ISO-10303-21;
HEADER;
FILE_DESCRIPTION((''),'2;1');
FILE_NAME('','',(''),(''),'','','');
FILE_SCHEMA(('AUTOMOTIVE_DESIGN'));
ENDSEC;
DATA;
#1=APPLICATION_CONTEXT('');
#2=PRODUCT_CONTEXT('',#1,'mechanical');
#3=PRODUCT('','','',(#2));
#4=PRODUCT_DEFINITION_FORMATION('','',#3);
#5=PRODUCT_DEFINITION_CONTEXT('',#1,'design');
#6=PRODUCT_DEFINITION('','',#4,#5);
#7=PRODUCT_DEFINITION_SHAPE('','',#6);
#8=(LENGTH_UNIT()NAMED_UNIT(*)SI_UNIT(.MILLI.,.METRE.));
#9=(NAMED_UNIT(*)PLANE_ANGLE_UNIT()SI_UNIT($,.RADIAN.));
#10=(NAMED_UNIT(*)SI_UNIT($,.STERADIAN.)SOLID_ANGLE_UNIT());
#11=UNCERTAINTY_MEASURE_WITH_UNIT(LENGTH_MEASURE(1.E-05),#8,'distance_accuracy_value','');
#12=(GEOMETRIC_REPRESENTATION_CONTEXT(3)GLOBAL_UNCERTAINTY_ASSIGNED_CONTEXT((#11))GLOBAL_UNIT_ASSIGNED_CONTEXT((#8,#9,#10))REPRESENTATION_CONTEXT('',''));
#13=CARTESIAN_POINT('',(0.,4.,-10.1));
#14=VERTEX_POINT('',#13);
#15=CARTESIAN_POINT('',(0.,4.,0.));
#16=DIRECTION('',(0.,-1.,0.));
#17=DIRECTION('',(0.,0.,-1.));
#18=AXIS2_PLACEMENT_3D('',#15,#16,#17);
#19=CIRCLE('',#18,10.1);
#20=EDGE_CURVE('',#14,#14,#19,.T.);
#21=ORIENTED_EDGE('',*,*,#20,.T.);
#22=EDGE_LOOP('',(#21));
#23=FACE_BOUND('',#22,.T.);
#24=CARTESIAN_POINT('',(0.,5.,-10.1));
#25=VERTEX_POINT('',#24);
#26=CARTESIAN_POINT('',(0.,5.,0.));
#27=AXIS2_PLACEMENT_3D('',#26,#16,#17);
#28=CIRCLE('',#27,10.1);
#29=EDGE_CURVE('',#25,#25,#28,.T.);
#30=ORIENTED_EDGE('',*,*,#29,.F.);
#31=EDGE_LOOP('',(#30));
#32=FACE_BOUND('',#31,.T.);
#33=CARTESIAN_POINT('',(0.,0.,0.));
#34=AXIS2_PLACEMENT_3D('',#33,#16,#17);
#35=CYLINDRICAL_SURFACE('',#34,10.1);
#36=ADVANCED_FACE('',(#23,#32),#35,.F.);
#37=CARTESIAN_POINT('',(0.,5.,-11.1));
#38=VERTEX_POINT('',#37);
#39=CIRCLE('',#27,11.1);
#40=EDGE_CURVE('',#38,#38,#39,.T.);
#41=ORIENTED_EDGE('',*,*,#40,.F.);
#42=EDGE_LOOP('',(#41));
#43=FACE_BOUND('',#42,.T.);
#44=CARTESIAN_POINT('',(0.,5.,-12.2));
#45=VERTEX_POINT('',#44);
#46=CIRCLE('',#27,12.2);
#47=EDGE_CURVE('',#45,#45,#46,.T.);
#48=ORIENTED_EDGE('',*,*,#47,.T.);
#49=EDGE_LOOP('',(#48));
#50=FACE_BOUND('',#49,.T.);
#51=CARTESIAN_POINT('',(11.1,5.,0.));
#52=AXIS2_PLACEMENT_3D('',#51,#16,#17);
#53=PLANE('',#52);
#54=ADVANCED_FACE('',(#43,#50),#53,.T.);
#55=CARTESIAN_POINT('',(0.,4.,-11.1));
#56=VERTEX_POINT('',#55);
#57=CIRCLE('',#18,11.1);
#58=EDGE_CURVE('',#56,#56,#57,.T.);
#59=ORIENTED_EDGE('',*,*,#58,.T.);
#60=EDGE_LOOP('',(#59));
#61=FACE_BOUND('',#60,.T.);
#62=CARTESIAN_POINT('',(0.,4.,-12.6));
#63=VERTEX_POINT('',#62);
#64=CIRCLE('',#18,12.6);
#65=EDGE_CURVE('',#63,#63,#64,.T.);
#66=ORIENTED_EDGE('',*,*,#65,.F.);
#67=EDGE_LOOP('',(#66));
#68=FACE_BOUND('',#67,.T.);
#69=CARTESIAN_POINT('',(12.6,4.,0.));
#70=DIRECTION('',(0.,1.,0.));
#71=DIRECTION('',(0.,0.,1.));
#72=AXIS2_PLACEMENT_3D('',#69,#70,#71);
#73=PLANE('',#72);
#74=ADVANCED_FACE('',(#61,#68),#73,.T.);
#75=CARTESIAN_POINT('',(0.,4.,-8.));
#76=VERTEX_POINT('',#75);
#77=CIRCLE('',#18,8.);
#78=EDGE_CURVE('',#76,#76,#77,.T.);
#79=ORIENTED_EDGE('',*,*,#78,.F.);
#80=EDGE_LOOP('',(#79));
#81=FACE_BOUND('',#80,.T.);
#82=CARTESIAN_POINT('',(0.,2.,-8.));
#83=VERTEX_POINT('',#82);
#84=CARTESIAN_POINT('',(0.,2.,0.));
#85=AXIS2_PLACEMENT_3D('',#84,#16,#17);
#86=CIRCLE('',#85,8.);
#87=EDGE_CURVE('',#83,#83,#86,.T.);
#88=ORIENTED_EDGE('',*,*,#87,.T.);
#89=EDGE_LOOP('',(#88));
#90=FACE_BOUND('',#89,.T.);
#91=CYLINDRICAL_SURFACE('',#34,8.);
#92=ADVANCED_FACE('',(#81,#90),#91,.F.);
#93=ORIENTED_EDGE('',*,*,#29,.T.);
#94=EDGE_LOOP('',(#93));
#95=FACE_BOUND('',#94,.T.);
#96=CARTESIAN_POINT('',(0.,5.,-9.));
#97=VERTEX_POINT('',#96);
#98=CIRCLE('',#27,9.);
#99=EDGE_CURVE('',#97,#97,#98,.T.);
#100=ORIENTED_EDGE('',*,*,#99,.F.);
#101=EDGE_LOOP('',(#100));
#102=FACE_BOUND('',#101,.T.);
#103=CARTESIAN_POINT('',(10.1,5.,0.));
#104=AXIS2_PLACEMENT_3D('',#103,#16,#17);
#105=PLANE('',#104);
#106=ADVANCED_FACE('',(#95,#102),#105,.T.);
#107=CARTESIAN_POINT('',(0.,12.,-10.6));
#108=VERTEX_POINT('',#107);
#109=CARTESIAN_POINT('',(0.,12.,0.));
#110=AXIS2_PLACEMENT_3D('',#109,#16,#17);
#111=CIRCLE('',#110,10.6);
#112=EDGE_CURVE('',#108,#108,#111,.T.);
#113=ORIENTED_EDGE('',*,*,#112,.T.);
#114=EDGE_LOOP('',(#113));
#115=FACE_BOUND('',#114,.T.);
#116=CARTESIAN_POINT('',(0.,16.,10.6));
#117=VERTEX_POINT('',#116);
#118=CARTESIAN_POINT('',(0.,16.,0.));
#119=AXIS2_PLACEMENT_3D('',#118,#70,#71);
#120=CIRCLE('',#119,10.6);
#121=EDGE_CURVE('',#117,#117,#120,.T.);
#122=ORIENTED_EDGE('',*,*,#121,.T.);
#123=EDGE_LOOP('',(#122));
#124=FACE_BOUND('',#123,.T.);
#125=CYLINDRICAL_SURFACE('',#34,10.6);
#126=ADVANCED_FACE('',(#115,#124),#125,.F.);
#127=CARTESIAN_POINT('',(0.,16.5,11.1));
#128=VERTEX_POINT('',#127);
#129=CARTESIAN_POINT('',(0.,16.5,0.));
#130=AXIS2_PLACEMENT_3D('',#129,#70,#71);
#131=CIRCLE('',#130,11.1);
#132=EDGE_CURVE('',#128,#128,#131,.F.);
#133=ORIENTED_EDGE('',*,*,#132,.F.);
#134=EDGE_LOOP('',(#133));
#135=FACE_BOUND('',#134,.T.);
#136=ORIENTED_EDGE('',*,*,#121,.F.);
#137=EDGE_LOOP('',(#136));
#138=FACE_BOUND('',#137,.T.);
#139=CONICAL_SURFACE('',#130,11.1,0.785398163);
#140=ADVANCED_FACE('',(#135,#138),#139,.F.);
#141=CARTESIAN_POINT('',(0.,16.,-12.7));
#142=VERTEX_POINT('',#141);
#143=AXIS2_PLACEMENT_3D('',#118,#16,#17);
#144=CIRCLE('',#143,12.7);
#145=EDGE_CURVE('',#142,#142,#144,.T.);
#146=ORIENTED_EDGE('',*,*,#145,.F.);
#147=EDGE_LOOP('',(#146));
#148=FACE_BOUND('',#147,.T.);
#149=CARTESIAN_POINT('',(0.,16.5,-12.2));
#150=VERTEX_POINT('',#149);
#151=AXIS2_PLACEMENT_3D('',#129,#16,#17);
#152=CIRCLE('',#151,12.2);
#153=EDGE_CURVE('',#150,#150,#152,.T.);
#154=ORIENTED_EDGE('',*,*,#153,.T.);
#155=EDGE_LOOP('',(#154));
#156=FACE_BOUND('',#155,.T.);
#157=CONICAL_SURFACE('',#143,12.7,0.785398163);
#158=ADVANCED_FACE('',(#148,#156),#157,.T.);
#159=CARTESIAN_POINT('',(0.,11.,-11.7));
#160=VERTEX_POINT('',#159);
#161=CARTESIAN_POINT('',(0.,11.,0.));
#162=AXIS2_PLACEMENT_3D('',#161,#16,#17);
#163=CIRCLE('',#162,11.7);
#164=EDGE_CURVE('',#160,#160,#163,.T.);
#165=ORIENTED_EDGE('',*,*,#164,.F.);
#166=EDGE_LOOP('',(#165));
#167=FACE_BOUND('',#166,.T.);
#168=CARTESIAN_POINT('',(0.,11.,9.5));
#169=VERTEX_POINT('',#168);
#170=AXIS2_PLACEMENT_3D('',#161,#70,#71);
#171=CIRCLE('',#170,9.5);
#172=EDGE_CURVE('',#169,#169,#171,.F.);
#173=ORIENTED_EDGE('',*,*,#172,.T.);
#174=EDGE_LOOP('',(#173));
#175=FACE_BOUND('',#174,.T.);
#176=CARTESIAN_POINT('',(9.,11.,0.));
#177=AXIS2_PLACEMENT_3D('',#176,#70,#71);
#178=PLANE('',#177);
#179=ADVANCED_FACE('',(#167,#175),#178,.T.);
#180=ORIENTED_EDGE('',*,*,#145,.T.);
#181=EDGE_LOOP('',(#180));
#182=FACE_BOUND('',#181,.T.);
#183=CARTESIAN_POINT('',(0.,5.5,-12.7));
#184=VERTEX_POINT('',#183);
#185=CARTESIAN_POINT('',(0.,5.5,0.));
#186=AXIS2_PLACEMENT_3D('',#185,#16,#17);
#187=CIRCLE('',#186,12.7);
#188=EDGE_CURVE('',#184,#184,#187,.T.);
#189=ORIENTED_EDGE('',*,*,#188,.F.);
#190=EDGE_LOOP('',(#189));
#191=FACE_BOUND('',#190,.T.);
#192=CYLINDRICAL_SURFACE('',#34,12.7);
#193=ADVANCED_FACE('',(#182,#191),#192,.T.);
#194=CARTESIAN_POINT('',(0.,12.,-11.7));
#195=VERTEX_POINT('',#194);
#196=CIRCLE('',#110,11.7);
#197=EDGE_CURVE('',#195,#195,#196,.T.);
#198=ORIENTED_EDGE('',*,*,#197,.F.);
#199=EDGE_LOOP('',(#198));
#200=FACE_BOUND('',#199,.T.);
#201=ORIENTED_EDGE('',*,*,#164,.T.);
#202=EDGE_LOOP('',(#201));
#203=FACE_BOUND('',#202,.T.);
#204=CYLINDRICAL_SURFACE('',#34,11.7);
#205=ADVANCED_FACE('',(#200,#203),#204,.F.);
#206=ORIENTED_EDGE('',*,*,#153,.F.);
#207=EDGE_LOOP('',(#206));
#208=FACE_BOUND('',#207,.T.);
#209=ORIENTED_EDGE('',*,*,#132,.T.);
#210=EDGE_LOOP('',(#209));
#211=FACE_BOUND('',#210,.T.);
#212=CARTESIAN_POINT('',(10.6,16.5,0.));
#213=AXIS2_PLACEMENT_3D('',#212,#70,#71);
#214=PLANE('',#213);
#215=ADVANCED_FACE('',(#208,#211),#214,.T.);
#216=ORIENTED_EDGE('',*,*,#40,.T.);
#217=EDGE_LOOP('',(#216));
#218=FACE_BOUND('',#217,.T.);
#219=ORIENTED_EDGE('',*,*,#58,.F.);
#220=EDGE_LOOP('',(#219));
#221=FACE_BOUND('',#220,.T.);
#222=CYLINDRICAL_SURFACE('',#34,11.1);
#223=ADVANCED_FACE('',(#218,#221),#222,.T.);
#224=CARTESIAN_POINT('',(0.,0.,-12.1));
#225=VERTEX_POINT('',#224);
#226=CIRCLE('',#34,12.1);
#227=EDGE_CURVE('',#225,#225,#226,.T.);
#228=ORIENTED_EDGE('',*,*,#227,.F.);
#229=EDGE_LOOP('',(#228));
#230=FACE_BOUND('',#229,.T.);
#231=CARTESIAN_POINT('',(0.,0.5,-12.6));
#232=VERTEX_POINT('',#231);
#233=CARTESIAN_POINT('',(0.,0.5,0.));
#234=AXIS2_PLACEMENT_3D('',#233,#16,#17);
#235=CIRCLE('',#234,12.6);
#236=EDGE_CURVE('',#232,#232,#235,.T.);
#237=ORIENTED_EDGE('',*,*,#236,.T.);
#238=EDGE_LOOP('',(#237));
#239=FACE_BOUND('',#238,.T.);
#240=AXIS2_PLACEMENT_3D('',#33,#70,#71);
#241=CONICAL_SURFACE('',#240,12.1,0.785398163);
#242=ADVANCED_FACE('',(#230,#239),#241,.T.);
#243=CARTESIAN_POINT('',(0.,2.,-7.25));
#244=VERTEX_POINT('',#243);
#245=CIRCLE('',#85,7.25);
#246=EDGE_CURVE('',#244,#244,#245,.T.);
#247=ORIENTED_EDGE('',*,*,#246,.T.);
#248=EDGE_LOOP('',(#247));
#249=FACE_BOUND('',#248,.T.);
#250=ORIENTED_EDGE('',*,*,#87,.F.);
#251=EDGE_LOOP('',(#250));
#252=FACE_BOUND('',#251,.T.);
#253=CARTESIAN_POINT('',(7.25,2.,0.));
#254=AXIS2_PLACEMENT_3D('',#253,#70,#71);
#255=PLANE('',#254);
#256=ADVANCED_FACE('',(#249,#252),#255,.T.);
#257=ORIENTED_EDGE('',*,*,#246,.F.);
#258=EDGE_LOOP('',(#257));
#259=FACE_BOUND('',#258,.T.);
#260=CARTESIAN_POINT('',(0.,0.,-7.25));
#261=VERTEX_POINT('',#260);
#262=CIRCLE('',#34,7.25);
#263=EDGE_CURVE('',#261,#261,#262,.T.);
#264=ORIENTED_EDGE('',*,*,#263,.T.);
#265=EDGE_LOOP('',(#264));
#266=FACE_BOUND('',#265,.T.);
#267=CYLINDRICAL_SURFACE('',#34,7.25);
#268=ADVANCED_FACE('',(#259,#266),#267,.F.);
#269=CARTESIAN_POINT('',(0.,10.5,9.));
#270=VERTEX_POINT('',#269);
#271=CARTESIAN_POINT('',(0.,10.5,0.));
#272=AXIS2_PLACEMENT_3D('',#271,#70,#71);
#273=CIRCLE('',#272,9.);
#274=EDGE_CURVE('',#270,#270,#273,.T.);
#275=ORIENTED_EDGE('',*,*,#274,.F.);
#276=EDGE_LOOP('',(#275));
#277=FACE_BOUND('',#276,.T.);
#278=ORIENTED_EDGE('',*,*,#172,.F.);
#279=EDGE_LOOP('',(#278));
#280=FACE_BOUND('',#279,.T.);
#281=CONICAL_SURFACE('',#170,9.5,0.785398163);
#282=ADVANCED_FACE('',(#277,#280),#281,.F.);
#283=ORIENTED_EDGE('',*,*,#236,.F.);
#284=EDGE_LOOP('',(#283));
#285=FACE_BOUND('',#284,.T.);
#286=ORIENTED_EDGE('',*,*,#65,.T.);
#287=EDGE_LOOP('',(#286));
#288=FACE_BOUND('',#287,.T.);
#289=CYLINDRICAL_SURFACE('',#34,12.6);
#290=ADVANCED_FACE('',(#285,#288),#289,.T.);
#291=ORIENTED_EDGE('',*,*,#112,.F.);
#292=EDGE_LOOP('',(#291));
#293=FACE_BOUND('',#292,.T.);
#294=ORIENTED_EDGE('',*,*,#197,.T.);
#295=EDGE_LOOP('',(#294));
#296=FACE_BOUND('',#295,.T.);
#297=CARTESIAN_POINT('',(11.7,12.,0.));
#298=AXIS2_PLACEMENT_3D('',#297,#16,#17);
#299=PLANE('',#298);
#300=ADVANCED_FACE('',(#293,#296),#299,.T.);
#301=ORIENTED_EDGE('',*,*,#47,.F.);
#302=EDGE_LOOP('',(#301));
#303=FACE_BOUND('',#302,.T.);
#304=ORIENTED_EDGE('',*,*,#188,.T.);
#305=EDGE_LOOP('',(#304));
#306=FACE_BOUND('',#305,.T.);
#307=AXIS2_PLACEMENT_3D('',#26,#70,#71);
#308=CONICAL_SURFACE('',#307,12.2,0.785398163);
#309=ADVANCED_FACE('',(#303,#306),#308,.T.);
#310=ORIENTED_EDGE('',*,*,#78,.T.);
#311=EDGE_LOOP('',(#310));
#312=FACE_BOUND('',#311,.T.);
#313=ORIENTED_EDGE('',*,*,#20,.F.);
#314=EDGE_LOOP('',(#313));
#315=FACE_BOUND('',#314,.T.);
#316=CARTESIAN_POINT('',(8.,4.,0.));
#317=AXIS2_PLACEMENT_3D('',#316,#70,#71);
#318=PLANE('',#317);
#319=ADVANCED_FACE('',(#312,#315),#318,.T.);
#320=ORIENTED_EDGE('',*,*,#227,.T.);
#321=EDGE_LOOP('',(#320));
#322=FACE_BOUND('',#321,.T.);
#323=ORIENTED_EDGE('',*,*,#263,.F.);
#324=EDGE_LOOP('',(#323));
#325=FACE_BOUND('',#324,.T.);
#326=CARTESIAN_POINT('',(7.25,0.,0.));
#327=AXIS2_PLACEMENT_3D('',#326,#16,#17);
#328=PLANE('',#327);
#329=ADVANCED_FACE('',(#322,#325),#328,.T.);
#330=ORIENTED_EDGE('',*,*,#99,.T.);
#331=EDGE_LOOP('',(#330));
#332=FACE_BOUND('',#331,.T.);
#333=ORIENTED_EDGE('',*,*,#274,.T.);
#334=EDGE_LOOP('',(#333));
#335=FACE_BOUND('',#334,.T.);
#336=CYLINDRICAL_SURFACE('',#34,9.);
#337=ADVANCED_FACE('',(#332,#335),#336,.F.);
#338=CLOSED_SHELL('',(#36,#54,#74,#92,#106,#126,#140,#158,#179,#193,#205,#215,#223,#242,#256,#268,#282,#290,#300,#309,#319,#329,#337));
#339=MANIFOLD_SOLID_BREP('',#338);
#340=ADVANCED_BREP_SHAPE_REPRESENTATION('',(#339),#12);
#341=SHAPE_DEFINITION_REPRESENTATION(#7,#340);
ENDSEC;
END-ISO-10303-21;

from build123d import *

# Parameters (mm, degrees)
CHAMFER_1_SIZE = 0.5


with BuildPart() as part:
    # 草图1 → 旋转1 (revolve)
    with BuildSketch(Plane.XY, mode=Mode.PRIVATE) as revolve_1_sk:
        Polygon((7.25, 0), (7.25, 2), (8, 2), (8, 4), (10.1, 4), (10.1, 5), (9, 5), (9, 11), (11.7, 11), (11.7, 12), (10.6, 12), (10.6, 16.5), (12.2, 16.5), (12.7, 16), (12.7, 5.5), (12.2, 5), (11.1, 5), (11.1, 4), (12.6, 4), (12.6, 0.5), (12.1, 0), align=None)
    revolve(revolve_1_sk.sketch.rotate(Axis((0, 0, 0), (0, 1, 0)), 90), axis=Axis((0, 0, 0), (0, 1, 0)))  # turned: the seam where the file's is

    # 倒角1
    chamfer_1_edges = [part.edges().sort_by_distance(p)[0] for p in [
        (0, 11, 9),
        (0, 16.5, 10.6),
    ]]
    chamfer(chamfer_1_edges, length=CHAMFER_1_SIZE)


solid = part.part
